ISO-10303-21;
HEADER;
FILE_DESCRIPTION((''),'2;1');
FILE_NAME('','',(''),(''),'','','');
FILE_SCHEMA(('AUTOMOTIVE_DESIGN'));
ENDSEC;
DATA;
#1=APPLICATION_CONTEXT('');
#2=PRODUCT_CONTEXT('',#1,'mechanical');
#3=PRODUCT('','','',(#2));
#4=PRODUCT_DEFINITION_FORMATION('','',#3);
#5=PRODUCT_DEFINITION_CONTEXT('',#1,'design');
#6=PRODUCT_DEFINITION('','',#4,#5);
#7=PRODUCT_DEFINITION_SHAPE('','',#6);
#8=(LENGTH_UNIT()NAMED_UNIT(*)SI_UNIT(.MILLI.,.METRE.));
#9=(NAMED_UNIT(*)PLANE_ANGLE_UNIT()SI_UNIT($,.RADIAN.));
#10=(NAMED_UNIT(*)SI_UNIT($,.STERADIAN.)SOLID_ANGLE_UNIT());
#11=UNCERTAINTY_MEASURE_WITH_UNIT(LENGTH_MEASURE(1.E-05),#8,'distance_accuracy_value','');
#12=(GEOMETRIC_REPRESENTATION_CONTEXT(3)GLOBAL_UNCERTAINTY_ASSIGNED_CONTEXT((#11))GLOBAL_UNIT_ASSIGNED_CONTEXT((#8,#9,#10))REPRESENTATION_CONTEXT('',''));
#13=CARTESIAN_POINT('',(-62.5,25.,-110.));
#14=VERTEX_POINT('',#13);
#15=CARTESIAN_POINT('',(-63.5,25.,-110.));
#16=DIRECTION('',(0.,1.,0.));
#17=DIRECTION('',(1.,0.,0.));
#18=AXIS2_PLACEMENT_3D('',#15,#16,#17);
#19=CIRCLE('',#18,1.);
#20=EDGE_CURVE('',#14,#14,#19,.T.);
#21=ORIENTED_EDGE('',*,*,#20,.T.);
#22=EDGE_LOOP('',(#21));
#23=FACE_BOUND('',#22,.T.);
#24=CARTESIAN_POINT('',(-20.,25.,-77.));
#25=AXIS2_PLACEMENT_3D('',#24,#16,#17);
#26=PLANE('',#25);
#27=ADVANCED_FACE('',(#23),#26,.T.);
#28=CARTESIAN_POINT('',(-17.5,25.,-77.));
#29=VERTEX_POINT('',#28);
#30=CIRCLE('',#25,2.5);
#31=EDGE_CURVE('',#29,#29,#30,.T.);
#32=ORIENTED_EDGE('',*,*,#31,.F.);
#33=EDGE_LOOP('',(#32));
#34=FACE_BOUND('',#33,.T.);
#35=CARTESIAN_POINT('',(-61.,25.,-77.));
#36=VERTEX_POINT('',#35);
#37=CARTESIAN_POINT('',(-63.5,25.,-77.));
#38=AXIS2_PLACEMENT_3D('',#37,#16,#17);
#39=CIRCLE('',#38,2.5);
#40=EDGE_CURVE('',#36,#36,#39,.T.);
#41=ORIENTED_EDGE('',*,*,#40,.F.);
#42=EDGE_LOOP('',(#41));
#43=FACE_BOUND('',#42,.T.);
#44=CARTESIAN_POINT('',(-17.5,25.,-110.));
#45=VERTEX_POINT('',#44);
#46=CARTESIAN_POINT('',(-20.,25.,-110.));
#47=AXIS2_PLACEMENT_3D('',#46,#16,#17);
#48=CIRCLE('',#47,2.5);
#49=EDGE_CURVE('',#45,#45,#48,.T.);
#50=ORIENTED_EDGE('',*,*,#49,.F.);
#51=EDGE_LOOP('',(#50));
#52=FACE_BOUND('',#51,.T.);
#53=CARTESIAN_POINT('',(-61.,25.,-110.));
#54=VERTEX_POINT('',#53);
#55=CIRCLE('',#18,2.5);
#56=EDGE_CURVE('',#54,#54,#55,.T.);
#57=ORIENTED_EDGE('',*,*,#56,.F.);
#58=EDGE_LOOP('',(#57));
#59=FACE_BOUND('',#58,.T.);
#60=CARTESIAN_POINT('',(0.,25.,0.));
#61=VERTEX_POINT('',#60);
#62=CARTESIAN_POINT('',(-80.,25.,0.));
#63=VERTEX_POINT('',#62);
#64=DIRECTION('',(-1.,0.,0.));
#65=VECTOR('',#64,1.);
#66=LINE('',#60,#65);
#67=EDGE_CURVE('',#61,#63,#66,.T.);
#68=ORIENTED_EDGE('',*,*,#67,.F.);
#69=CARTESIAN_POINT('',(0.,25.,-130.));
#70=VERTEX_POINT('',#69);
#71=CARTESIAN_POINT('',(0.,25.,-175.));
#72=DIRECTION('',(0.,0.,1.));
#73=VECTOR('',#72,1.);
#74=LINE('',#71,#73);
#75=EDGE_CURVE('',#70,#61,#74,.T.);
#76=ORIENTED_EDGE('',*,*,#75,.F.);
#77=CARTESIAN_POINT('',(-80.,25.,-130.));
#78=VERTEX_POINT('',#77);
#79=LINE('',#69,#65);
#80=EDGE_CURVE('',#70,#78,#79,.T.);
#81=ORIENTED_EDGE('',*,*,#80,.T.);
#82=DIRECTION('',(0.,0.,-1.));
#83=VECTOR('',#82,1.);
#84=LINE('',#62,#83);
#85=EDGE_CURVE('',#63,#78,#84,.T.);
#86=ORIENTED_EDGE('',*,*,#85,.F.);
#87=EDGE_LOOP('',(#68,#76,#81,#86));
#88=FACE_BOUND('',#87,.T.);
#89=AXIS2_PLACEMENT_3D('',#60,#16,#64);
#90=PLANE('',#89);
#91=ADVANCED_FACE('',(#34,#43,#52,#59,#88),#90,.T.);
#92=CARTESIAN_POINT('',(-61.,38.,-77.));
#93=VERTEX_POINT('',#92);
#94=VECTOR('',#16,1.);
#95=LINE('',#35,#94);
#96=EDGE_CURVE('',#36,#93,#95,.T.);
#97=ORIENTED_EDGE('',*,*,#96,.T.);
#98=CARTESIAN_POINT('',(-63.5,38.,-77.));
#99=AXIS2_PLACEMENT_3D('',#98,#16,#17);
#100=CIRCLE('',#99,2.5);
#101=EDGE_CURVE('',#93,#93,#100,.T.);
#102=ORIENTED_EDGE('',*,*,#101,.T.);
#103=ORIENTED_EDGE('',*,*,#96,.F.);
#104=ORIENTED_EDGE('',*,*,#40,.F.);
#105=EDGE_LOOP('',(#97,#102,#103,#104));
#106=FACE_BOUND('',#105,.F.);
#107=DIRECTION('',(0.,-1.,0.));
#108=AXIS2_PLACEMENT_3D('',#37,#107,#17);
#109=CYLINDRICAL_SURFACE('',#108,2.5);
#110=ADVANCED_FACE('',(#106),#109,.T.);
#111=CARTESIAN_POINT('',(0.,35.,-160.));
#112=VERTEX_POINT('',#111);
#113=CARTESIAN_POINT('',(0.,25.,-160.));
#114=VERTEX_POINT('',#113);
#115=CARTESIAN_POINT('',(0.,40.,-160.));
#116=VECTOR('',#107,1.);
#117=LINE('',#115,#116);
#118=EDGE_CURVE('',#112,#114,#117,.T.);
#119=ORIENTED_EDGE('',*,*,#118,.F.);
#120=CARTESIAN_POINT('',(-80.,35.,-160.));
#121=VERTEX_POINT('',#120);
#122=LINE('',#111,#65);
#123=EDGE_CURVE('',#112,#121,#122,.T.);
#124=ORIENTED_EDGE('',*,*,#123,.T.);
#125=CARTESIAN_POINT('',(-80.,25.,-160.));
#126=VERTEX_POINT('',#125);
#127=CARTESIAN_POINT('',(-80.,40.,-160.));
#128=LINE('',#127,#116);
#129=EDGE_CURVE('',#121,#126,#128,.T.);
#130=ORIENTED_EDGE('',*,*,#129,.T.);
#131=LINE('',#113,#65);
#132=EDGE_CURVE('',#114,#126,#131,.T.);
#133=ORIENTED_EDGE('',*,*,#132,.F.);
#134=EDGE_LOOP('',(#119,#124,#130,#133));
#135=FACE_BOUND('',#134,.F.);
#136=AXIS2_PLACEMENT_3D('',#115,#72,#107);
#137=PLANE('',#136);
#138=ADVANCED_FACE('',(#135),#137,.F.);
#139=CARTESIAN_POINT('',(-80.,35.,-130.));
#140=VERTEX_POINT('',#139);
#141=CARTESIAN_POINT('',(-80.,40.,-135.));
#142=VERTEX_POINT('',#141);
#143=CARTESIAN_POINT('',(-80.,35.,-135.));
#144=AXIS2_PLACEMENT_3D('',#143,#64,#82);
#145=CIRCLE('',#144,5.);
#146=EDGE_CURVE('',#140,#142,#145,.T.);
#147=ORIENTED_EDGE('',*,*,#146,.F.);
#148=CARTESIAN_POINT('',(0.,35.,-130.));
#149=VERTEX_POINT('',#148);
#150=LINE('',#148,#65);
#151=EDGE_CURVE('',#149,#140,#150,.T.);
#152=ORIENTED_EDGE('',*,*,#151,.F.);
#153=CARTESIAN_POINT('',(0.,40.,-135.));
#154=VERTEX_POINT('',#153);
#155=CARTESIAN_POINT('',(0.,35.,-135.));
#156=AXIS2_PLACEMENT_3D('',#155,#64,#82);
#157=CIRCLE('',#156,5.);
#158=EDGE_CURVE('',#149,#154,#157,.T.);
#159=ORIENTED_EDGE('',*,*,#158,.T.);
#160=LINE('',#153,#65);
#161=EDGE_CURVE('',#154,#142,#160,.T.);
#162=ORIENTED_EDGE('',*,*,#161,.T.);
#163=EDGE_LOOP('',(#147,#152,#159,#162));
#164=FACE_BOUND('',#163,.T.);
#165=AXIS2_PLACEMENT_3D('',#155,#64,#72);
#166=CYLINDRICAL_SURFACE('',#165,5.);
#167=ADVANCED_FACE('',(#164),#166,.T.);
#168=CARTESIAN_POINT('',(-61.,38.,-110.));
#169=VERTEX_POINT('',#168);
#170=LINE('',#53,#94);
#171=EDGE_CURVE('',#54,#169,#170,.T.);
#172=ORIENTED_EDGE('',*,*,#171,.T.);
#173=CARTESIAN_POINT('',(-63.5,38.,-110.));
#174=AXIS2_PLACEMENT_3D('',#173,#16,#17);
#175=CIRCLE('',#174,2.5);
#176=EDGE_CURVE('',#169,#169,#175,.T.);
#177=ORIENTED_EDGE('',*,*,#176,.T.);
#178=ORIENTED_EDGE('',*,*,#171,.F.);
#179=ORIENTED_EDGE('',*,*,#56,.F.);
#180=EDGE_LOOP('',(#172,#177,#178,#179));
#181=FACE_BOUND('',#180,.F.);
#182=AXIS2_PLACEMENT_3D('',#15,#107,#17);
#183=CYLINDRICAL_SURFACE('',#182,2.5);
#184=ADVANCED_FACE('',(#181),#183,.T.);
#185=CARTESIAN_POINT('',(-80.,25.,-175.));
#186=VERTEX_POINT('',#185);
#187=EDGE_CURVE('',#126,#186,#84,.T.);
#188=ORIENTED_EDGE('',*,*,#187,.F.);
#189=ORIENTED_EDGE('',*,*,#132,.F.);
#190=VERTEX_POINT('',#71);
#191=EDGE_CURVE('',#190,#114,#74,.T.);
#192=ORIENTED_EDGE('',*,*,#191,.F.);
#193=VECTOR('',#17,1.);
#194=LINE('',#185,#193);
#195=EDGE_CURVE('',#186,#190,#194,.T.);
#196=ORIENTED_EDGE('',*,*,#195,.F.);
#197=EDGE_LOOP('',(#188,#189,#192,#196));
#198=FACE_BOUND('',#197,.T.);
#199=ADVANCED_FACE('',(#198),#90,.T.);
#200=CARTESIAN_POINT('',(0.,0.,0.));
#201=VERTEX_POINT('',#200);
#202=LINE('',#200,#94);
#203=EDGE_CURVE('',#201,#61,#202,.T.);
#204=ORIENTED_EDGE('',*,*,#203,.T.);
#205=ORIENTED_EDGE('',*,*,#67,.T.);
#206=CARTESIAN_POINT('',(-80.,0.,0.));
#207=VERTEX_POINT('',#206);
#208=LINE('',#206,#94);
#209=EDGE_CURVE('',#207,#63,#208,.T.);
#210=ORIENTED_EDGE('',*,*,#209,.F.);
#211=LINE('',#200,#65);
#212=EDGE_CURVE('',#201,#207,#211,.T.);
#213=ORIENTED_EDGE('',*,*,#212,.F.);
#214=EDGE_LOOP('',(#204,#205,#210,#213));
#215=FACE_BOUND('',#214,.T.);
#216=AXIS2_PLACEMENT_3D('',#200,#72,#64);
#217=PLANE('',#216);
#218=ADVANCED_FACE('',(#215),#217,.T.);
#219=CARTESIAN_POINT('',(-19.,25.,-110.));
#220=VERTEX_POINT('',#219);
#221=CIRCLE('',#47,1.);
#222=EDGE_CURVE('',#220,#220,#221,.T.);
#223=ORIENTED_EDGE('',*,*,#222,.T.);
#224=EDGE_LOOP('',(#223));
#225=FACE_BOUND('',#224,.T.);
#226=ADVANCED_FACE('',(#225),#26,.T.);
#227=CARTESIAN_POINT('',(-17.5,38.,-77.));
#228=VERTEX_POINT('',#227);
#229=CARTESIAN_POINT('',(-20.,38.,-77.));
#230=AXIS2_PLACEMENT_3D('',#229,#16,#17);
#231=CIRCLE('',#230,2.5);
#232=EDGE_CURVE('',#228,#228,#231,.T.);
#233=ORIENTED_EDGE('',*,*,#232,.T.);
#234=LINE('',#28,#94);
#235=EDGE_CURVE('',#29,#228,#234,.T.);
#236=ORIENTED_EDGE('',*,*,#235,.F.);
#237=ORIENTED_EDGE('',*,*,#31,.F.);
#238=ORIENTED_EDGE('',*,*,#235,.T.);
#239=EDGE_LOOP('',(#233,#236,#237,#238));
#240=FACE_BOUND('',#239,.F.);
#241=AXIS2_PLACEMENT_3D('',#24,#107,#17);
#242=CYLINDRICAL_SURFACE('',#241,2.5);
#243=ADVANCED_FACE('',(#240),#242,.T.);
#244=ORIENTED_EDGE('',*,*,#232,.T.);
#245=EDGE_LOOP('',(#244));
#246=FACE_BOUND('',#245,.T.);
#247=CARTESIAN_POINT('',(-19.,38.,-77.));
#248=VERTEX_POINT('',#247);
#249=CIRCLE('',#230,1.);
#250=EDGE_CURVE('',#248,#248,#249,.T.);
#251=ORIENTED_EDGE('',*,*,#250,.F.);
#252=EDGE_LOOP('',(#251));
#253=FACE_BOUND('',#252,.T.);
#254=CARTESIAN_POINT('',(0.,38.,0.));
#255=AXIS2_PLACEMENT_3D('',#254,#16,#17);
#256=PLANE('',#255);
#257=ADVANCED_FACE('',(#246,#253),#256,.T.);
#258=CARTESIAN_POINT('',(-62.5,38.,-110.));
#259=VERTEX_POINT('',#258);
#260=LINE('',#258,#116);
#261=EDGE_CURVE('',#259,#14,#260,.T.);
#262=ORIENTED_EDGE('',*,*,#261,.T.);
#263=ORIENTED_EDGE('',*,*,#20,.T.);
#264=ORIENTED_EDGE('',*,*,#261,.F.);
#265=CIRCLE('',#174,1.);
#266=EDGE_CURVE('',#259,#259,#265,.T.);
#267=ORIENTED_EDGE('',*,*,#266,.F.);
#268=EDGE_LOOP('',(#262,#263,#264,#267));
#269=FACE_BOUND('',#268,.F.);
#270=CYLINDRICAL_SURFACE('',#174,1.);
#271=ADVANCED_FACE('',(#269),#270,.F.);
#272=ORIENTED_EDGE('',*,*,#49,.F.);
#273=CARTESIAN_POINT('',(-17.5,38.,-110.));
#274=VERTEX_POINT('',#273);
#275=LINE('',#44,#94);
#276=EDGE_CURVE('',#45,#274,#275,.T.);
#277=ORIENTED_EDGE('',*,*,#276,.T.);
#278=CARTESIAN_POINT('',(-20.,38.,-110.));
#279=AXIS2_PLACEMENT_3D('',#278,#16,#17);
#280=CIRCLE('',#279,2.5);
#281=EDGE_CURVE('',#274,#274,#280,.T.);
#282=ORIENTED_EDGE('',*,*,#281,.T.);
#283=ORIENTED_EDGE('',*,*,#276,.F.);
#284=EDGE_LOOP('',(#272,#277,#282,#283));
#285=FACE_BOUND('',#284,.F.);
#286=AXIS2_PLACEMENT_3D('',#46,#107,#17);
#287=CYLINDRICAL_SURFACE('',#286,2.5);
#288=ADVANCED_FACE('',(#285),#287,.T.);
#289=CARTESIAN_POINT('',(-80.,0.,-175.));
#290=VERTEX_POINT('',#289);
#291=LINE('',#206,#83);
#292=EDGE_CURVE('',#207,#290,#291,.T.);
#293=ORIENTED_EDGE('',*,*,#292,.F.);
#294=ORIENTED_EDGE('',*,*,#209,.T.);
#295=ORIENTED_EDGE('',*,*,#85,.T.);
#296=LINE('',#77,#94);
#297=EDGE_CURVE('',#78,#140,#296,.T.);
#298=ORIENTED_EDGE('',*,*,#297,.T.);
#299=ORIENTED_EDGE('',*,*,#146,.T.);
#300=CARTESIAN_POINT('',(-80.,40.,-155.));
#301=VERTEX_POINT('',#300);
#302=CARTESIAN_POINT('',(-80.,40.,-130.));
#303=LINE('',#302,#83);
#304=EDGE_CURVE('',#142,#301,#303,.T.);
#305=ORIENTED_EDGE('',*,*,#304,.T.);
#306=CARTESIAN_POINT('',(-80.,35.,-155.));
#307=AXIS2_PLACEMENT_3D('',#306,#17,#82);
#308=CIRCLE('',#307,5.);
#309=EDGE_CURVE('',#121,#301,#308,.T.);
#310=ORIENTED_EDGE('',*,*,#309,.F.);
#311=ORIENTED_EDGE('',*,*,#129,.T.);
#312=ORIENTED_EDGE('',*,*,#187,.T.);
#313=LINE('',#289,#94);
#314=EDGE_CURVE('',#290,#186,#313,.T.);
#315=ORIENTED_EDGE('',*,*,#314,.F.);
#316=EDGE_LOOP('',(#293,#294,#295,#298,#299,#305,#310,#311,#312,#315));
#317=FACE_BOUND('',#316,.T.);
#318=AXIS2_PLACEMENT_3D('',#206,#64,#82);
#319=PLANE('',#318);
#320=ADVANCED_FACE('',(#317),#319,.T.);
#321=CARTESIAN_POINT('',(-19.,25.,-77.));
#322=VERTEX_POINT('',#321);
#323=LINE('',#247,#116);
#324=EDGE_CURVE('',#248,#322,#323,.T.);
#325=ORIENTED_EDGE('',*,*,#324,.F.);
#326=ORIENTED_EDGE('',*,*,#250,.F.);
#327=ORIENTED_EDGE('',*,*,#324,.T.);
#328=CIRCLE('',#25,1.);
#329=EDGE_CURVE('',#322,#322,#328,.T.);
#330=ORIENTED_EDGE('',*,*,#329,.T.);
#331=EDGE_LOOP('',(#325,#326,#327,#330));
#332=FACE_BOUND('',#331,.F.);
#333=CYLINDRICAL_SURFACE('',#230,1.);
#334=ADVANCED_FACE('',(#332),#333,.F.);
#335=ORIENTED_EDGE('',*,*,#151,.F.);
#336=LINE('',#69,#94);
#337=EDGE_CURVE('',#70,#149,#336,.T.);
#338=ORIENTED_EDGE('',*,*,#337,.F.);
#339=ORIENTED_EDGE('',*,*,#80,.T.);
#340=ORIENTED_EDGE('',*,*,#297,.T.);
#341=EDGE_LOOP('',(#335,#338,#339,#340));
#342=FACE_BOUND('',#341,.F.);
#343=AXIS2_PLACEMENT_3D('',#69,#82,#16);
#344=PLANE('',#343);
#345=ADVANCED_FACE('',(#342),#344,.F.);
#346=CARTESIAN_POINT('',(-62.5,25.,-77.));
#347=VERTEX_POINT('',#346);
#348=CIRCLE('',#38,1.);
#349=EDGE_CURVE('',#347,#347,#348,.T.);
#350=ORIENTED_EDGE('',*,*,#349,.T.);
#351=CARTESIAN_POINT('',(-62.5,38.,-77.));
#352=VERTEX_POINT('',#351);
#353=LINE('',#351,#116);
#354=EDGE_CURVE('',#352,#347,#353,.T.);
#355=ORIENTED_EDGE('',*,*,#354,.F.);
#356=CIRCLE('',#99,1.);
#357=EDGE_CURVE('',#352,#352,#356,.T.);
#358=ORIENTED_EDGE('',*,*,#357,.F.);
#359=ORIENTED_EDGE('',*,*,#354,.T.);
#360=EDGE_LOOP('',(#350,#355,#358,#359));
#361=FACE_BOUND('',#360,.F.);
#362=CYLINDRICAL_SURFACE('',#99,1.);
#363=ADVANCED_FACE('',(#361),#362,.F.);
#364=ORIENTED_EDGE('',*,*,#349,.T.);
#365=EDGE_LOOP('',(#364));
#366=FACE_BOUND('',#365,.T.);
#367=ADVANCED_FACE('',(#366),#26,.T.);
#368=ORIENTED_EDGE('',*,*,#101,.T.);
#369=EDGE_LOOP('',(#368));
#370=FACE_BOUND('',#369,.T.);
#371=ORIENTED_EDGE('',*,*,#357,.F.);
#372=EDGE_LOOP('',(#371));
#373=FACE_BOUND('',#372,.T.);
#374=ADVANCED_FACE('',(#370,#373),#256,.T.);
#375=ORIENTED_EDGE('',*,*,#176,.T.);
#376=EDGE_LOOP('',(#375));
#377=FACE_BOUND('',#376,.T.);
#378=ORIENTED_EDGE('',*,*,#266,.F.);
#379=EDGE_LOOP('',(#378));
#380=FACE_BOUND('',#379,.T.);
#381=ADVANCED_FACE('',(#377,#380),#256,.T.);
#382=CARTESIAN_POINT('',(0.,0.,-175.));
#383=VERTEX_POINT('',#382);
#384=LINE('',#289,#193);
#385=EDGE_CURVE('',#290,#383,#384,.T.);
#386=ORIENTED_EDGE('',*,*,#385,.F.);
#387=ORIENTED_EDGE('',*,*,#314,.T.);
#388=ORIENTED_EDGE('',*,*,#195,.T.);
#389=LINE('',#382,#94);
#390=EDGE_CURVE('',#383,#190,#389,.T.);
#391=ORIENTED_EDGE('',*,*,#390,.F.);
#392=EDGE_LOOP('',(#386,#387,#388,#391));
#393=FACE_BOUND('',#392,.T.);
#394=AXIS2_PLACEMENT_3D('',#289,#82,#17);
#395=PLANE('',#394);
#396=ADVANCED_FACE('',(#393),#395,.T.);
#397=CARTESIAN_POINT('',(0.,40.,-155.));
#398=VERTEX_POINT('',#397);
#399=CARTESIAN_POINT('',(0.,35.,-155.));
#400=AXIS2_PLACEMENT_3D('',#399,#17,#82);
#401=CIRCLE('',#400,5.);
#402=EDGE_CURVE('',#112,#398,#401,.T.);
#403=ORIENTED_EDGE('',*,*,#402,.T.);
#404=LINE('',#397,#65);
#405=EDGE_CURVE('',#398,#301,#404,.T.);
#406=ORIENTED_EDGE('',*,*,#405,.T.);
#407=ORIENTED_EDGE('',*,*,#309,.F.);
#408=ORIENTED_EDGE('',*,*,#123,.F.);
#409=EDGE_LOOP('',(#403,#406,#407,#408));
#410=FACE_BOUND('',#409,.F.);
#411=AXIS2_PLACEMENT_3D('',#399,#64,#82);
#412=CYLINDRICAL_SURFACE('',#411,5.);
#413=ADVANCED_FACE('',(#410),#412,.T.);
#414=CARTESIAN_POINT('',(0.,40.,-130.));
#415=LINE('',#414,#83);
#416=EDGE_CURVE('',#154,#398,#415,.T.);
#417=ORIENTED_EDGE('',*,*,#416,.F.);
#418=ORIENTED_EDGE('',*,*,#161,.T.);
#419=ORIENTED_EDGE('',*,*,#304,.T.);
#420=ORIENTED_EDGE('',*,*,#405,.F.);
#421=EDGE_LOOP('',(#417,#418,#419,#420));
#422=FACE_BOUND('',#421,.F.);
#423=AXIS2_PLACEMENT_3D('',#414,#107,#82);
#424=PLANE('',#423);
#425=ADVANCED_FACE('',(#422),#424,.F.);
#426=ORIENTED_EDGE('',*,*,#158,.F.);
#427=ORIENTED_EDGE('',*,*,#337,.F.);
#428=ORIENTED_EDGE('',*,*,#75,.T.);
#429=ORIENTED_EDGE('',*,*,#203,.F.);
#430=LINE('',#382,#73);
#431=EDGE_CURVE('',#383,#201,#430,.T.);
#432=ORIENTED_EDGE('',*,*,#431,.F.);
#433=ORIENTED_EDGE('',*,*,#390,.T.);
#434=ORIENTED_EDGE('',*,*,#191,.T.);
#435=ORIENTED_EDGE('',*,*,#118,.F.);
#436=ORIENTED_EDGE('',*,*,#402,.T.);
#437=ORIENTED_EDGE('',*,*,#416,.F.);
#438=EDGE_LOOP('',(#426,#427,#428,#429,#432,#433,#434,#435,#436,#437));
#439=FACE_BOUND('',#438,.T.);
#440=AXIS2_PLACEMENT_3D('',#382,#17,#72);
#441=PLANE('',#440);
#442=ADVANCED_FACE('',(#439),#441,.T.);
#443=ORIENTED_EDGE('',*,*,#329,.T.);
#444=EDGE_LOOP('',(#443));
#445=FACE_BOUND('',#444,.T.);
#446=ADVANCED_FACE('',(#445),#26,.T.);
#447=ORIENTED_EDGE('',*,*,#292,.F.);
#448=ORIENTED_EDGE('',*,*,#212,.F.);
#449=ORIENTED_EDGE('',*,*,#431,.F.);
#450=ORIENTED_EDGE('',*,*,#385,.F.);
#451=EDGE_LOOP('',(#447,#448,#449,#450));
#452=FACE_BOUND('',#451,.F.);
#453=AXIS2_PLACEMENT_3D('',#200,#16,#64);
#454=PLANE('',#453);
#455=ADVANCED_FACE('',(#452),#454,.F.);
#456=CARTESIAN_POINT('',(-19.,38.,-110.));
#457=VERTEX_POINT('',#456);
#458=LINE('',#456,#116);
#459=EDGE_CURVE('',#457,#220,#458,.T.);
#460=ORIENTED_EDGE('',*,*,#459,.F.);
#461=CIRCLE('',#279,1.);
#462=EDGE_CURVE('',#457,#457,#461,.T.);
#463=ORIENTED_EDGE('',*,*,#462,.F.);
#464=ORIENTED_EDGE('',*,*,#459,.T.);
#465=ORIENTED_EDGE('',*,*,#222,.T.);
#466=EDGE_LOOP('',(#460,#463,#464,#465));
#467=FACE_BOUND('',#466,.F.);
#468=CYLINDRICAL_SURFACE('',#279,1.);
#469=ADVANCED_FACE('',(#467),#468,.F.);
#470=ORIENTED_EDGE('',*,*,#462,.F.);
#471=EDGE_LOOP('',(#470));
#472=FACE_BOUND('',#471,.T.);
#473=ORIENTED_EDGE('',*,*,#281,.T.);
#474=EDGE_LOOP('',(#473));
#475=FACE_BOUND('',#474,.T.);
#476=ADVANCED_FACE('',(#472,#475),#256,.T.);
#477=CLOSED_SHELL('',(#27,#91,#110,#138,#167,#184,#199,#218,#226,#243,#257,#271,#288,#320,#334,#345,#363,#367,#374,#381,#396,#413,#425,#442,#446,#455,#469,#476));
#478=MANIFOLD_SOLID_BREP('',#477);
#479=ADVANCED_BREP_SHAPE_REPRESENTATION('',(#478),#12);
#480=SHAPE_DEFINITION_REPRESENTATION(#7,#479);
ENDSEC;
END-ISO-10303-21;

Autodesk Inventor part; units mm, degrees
ref_plane "YZ Plane" through (0, 0, 0) normal (1, 0, 0) x (0, 1, 0)
ref_plane "XZ Plane" through (0, 0, 0) normal (0, 1, 0) x (-1, 0, 0)
ref_plane "XY Plane" through (0, 0, 0) normal (0, 0, 1) x (1, 0, 0)
sketch "Sketch1" plane through (0, 0, 0) normal (0, 1, 0) x (-1, 0, 0)
  line L0 (0, 0) -> (80, 0)
  line L1 (80, 0) -> (80, -175)
  line L2 (80, -175) -> (0, -175)
  line L3 (0, -175) -> (0, 0)
  dimension "d0" = 80
  dimension "d1" = 175
extrude "Extrusion1" add sketch "Sketch1" along normal blind 25
sketch "Sketch2" plane through (0, 25, 0) normal (0, 1, 0) x (1, 0, 0)
  point P0 (0, 0)
sketch "Sketch3" plane through (0, 0, 0) normal (1, 0, 0) x (0, 0, -1)
  line L0 (175, 25) -> (0, 25) projected
  line L1 (160, 25) -> (130, 25)
  line L2 (130, 25) -> (130, 40)
  line L3 (130, 40) -> (160, 40)
  line L4 (160, 40) -> (160, 25)
  line L5 (175, 0) -> (175, 25) projected
  point P0 (0, 0)
  dimension "d4" = 15
  dimension "d5" = 15
  dimension "d6" = 30
extrude "Extrusion2" add sketch "Sketch3" against normal blind 80
fillet "Fillet1" radius 5 2 edges at (-40, 40, -130) (-40, 40, -160)
sketch "Sketch4" plane through (0, 25, 0) normal (0, 1, 0) x (1, 0, 0)
  circle A0 centre (-63.5, 110) radius 2.5
  circle A1 centre (-20, 110) radius 2.5
  circle A2 centre (-20, 77) radius 2.5
  circle A3 centre (-63.5, 77) radius 2.5
  line L0 (0, 0) -> (0, 130) projected
  line L1 (-80, 130) -> (0, 130) projected
  dimension "d10" = 5
  dimension "d11" = 5
  dimension "d12" = 5
  dimension "d13" = 5
  dimension "d14" = 20
  dimension "d15" = 20
  dimension "d16" = 43.5
  dimension "d17" = 43.5
  dimension "d18" = 20
  dimension "d19" = 20
  dimension "d20" = 33
  dimension "d21" = 33
extrude "Extrusion3" add sketch "Sketch4" along normal blind 13
sketch "Sketch5" plane through (-20, 38, -77) normal (0, 1, 0) x (1, 0, 0)
  circle A0 centre (-43.5, 0) radius 2.5 projected
  circle A1 centre (-43.5, 0) radius 1
  circle A2 centre (-43.5, 33) radius 2.5 projected
  circle A3 centre (-43.5, 33) radius 1
  circle A4 centre (0, 33) radius 2.5 projected
  circle A5 centre (0, 33) radius 1
  circle A6 centre (0, 0) radius 2.5 projected
  circle A7 centre (0, 0) radius 1
  point P0 (20, -77)
  dimension "d24" = 2
  dimension "d25" = 2
  dimension "d26" = 2
  dimension "d27" = 2
extrude "Extrusion4" cut sketch "Sketch5" against normal blind 13 contours A1 | A3 | A5 | A7
properties part number "CarApproximation"
